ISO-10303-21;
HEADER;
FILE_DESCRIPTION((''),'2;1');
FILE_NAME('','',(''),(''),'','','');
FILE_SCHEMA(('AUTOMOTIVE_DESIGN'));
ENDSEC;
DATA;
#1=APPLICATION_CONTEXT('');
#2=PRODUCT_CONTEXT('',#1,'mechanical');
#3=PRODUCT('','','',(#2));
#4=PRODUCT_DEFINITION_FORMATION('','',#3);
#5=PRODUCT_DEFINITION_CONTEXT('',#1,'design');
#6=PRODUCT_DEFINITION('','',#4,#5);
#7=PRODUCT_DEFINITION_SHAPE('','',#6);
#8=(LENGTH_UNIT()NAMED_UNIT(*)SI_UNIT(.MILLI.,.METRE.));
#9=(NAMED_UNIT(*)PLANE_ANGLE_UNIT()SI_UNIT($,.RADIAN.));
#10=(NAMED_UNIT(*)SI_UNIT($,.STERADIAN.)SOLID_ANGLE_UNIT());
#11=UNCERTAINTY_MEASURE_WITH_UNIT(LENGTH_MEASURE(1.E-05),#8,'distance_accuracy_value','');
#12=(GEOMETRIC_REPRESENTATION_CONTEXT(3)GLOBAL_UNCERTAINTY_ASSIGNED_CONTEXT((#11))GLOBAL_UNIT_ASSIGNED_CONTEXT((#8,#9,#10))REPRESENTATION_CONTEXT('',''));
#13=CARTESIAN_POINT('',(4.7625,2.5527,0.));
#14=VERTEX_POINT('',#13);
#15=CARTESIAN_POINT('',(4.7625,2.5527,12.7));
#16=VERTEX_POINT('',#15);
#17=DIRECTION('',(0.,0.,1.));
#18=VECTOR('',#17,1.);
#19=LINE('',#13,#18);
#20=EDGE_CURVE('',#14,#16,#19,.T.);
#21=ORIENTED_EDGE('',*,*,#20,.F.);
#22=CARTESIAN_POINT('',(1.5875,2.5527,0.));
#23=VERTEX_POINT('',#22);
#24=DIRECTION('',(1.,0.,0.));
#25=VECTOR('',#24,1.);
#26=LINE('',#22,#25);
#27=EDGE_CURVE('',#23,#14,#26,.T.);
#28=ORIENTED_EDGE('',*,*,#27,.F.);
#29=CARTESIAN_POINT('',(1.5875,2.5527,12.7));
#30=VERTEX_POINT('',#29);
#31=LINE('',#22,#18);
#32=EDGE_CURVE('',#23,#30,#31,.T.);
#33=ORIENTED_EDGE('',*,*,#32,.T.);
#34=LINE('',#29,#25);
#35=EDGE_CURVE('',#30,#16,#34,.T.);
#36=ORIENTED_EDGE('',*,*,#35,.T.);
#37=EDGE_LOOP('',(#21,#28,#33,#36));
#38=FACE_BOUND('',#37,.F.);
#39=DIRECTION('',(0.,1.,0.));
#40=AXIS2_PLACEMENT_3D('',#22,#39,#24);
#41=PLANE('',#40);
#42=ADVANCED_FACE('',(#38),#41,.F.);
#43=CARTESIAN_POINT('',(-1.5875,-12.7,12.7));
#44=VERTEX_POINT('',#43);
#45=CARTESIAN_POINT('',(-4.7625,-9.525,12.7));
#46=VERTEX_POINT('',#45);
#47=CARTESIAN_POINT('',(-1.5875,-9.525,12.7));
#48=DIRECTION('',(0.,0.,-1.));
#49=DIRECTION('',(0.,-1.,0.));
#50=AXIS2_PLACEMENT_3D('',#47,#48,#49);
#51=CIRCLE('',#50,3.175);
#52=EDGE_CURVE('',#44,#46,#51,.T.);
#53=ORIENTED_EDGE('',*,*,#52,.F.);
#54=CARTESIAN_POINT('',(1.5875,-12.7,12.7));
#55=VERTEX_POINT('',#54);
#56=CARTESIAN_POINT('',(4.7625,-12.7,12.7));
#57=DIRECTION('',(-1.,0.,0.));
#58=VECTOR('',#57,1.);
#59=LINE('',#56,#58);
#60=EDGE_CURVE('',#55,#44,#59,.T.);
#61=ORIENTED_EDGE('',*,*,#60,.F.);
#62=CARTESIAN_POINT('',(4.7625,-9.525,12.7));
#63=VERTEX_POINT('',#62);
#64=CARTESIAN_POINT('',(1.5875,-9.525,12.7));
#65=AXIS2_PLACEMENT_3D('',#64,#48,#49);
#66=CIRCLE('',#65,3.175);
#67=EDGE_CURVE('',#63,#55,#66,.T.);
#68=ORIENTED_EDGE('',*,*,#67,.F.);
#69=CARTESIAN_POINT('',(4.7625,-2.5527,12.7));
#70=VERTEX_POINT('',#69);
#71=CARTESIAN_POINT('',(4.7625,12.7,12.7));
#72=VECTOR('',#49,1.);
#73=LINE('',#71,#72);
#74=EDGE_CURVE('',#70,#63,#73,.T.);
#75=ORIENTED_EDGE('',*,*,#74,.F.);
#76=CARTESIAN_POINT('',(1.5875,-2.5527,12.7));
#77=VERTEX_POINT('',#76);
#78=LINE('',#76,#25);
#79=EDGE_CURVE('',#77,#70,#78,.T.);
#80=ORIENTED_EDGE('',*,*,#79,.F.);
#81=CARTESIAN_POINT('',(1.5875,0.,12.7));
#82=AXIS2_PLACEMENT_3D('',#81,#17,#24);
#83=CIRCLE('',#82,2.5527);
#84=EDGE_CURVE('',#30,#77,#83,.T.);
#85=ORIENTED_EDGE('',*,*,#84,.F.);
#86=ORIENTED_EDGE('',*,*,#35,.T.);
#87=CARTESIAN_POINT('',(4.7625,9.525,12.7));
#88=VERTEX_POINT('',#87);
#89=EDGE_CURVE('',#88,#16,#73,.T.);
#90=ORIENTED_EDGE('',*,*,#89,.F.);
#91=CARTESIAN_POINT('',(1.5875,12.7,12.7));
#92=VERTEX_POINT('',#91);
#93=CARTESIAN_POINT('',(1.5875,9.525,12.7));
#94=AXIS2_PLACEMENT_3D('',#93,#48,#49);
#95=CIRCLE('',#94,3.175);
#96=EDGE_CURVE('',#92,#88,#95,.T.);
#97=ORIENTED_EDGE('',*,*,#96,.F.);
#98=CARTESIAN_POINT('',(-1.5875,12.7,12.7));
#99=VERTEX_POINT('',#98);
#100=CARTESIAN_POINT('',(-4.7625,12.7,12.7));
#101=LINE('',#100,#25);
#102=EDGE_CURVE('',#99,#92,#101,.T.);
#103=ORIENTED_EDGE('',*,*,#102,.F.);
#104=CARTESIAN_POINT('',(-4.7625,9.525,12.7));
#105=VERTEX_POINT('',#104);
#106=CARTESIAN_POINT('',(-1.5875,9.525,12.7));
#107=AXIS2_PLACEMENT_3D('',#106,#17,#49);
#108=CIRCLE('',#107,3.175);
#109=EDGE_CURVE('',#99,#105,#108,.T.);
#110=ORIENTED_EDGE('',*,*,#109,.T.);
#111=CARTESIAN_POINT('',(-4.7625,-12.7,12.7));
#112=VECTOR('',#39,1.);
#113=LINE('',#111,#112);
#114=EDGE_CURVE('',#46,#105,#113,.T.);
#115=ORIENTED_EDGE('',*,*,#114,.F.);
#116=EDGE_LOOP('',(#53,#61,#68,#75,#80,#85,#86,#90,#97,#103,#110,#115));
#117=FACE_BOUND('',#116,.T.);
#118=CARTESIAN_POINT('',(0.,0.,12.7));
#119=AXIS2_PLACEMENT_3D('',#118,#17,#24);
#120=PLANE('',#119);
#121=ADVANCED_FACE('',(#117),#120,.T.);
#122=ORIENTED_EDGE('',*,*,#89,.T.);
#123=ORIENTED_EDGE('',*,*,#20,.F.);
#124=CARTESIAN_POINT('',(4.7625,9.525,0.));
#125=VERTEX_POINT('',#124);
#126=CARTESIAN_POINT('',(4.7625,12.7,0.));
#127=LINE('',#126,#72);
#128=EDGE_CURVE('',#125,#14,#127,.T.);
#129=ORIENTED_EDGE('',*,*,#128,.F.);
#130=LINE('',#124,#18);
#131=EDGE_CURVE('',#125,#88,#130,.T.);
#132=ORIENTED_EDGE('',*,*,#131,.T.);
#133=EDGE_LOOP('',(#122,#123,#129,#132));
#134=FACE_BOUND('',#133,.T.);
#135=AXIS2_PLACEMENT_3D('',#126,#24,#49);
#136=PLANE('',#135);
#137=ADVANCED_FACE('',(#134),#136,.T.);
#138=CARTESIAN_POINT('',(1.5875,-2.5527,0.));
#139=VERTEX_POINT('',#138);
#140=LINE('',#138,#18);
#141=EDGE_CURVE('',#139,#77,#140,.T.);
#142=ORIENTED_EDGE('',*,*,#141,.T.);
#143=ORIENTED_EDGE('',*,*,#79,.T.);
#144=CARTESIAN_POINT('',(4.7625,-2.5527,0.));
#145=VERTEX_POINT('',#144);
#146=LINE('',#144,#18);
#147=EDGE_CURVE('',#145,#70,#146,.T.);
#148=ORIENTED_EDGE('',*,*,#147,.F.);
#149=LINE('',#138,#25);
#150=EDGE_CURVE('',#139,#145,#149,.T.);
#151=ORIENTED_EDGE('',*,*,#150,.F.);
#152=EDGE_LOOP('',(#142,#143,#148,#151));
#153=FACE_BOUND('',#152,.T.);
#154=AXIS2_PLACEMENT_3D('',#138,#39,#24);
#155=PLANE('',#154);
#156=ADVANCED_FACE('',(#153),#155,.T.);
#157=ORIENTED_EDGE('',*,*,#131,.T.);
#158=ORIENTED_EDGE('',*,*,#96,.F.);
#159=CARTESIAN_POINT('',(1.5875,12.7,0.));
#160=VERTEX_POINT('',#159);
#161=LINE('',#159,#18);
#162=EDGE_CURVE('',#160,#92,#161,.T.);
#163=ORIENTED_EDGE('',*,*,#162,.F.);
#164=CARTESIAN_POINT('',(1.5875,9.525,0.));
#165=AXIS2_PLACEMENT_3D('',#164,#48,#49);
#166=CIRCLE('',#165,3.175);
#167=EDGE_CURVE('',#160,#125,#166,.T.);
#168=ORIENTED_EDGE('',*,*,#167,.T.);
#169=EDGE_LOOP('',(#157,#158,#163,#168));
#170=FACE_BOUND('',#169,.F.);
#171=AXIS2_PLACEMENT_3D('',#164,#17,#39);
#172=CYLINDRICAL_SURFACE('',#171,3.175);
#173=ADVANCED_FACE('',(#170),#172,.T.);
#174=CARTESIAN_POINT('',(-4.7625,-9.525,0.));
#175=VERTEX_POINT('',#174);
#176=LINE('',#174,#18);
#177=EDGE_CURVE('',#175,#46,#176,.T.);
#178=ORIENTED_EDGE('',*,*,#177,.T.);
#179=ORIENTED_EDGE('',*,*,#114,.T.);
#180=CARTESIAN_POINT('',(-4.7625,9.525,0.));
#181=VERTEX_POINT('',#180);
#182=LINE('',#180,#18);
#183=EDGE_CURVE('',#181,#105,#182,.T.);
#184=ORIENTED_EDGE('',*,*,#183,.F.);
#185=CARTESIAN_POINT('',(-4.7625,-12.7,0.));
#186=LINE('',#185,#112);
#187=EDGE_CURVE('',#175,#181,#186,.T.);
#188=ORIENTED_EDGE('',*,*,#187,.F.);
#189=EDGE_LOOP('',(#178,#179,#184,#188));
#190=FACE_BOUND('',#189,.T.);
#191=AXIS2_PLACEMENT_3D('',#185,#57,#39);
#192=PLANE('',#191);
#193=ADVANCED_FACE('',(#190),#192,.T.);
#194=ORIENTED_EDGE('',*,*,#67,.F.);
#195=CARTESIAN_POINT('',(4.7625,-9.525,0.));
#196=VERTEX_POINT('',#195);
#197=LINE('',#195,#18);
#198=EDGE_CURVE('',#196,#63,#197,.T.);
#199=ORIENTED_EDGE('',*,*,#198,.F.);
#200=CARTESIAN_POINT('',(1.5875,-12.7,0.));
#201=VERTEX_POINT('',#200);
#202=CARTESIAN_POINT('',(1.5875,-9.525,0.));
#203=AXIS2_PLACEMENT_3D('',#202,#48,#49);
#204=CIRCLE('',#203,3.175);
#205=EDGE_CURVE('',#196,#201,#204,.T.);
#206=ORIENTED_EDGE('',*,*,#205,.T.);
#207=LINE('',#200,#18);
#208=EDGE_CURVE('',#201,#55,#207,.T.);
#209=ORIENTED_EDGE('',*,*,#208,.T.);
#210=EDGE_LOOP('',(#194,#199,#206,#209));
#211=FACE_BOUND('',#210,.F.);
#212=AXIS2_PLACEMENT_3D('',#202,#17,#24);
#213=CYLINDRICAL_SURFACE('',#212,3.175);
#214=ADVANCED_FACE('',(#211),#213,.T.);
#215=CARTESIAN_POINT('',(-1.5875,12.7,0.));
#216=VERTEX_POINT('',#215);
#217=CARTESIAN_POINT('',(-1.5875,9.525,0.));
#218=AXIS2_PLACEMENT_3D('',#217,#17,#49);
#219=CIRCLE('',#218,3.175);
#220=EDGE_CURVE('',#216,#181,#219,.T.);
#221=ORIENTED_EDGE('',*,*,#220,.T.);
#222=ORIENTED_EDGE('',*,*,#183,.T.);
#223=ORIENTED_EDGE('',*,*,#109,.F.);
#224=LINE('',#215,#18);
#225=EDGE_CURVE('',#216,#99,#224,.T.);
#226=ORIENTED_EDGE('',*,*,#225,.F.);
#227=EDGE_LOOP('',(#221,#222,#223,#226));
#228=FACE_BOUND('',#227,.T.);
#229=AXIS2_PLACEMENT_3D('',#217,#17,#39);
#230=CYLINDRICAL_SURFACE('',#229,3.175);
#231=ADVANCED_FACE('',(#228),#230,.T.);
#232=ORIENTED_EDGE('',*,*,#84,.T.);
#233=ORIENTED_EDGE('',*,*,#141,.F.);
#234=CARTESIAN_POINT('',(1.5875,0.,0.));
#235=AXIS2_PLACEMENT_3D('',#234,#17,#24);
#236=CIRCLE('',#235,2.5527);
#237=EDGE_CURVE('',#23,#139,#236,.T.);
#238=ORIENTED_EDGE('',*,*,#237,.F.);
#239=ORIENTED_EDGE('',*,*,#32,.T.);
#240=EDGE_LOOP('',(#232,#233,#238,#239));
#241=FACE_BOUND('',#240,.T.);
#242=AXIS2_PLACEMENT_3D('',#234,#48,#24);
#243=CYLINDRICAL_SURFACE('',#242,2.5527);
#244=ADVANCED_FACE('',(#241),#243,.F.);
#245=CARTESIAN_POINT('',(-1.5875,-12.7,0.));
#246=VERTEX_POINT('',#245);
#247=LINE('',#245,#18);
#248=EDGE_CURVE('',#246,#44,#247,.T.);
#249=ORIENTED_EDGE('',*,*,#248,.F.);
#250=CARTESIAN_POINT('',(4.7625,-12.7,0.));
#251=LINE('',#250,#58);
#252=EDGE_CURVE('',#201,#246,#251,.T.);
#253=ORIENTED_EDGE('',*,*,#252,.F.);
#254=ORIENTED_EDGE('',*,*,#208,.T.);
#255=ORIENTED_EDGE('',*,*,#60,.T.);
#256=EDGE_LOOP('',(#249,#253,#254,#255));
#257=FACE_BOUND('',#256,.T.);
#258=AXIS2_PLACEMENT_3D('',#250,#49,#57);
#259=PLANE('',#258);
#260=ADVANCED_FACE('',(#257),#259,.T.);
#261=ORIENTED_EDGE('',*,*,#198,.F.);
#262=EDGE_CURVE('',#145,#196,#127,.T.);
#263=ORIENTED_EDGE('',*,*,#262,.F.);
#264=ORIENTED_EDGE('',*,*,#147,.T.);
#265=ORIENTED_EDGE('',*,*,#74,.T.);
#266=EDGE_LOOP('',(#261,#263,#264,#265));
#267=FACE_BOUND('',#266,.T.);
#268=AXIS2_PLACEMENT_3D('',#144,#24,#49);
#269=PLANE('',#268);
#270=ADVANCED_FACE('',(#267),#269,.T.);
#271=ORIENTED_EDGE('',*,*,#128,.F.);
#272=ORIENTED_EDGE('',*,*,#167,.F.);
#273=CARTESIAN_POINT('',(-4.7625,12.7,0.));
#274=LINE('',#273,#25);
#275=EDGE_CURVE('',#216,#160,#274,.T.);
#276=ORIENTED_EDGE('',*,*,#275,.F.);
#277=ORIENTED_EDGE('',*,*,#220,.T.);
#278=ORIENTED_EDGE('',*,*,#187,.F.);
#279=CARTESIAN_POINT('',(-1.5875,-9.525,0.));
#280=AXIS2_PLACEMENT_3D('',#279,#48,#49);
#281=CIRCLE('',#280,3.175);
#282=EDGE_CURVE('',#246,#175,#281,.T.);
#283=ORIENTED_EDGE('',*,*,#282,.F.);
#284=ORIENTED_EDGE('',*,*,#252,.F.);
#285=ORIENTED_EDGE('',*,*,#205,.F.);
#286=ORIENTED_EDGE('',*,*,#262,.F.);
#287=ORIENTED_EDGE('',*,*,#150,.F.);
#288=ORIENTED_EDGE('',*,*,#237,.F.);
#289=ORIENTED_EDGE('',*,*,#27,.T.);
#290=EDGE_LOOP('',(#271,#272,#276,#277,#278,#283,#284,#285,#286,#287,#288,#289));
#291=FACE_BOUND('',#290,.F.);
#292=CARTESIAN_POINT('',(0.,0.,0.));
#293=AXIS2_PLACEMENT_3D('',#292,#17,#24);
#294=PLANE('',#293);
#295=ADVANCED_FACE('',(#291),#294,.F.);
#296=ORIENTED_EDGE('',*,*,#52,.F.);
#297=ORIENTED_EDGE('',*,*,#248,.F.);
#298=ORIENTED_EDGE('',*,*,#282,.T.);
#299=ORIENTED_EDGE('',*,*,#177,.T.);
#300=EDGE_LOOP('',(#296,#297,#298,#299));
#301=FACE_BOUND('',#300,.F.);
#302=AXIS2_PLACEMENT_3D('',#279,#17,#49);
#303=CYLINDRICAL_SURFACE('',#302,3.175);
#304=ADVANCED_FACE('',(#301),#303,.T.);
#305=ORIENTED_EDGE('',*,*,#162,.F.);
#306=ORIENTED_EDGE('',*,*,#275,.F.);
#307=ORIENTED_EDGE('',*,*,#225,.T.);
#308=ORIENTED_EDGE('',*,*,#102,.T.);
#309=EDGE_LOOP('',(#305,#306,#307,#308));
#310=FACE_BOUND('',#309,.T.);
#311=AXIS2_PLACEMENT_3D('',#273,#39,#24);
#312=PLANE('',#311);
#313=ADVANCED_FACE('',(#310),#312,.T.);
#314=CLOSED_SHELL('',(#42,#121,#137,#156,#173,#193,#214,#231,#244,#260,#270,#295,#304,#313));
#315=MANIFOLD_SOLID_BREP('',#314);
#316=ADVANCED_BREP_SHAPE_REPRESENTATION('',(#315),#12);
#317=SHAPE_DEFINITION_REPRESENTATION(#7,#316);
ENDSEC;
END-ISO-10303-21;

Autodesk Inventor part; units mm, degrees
ref_plane "YZ Plane" through (0, 0, 0) normal (1, 0, 0) x (0, 1, 0)
ref_plane "XZ Plane" through (0, 0, 0) normal (0, 1, 0) x (-1, 0, 0)
ref_plane "XY Plane" through (0, 0, 0) normal (0, 0, 1) x (1, 0, 0)
sketch "Sketch1" plane through (0, 0, 0) normal (0, 0, 1) x (1, 0, 0)
  line L0 (-4.7625, 12.7) -> (4.7625, 12.7)
  line L1 (4.7625, 12.7) -> (4.7625, -12.7)
  line L2 (4.7625, -12.7) -> (-4.7625, -12.7)
  line L3 (-4.7625, -12.7) -> (-4.7625, 12.7)
  line L4 (-4.7625, 12.7) -> (4.7625, -12.7) construction
  line L5 (4.7625, 12.7) -> (-4.7625, -12.7) construction
  circle A0 centre (1.5875, 0) radius 2.5527
  line L6 (1.5875, 2.5527) -> (4.7625, 2.5527)
  line L7 (1.5875, -2.5527) -> (4.7625, -2.5527)
  point P0 (0, 0)
  dimension "d0" = 9.525
  dimension "d1" = 25.4
  dimension "d2" = 3.175
  dimension "d3" = 12.7
  dimension "d4" = 5.1054
extrude "Extrusion1" add sketch "Sketch1" along normal blind 12.7 contours L0 L1 L6 A0 L7 L2 L3
fillet "Fillet1" radius 3.175 4 edges at (-4.7625, 12.7, 6.35) (4.7625, 12.7, 6.35) (4.7625, -12.7, 6.35) (-4.7625, -12.7, 6.35)
properties part number "CANdle spacer" material "ABS Plastic"
